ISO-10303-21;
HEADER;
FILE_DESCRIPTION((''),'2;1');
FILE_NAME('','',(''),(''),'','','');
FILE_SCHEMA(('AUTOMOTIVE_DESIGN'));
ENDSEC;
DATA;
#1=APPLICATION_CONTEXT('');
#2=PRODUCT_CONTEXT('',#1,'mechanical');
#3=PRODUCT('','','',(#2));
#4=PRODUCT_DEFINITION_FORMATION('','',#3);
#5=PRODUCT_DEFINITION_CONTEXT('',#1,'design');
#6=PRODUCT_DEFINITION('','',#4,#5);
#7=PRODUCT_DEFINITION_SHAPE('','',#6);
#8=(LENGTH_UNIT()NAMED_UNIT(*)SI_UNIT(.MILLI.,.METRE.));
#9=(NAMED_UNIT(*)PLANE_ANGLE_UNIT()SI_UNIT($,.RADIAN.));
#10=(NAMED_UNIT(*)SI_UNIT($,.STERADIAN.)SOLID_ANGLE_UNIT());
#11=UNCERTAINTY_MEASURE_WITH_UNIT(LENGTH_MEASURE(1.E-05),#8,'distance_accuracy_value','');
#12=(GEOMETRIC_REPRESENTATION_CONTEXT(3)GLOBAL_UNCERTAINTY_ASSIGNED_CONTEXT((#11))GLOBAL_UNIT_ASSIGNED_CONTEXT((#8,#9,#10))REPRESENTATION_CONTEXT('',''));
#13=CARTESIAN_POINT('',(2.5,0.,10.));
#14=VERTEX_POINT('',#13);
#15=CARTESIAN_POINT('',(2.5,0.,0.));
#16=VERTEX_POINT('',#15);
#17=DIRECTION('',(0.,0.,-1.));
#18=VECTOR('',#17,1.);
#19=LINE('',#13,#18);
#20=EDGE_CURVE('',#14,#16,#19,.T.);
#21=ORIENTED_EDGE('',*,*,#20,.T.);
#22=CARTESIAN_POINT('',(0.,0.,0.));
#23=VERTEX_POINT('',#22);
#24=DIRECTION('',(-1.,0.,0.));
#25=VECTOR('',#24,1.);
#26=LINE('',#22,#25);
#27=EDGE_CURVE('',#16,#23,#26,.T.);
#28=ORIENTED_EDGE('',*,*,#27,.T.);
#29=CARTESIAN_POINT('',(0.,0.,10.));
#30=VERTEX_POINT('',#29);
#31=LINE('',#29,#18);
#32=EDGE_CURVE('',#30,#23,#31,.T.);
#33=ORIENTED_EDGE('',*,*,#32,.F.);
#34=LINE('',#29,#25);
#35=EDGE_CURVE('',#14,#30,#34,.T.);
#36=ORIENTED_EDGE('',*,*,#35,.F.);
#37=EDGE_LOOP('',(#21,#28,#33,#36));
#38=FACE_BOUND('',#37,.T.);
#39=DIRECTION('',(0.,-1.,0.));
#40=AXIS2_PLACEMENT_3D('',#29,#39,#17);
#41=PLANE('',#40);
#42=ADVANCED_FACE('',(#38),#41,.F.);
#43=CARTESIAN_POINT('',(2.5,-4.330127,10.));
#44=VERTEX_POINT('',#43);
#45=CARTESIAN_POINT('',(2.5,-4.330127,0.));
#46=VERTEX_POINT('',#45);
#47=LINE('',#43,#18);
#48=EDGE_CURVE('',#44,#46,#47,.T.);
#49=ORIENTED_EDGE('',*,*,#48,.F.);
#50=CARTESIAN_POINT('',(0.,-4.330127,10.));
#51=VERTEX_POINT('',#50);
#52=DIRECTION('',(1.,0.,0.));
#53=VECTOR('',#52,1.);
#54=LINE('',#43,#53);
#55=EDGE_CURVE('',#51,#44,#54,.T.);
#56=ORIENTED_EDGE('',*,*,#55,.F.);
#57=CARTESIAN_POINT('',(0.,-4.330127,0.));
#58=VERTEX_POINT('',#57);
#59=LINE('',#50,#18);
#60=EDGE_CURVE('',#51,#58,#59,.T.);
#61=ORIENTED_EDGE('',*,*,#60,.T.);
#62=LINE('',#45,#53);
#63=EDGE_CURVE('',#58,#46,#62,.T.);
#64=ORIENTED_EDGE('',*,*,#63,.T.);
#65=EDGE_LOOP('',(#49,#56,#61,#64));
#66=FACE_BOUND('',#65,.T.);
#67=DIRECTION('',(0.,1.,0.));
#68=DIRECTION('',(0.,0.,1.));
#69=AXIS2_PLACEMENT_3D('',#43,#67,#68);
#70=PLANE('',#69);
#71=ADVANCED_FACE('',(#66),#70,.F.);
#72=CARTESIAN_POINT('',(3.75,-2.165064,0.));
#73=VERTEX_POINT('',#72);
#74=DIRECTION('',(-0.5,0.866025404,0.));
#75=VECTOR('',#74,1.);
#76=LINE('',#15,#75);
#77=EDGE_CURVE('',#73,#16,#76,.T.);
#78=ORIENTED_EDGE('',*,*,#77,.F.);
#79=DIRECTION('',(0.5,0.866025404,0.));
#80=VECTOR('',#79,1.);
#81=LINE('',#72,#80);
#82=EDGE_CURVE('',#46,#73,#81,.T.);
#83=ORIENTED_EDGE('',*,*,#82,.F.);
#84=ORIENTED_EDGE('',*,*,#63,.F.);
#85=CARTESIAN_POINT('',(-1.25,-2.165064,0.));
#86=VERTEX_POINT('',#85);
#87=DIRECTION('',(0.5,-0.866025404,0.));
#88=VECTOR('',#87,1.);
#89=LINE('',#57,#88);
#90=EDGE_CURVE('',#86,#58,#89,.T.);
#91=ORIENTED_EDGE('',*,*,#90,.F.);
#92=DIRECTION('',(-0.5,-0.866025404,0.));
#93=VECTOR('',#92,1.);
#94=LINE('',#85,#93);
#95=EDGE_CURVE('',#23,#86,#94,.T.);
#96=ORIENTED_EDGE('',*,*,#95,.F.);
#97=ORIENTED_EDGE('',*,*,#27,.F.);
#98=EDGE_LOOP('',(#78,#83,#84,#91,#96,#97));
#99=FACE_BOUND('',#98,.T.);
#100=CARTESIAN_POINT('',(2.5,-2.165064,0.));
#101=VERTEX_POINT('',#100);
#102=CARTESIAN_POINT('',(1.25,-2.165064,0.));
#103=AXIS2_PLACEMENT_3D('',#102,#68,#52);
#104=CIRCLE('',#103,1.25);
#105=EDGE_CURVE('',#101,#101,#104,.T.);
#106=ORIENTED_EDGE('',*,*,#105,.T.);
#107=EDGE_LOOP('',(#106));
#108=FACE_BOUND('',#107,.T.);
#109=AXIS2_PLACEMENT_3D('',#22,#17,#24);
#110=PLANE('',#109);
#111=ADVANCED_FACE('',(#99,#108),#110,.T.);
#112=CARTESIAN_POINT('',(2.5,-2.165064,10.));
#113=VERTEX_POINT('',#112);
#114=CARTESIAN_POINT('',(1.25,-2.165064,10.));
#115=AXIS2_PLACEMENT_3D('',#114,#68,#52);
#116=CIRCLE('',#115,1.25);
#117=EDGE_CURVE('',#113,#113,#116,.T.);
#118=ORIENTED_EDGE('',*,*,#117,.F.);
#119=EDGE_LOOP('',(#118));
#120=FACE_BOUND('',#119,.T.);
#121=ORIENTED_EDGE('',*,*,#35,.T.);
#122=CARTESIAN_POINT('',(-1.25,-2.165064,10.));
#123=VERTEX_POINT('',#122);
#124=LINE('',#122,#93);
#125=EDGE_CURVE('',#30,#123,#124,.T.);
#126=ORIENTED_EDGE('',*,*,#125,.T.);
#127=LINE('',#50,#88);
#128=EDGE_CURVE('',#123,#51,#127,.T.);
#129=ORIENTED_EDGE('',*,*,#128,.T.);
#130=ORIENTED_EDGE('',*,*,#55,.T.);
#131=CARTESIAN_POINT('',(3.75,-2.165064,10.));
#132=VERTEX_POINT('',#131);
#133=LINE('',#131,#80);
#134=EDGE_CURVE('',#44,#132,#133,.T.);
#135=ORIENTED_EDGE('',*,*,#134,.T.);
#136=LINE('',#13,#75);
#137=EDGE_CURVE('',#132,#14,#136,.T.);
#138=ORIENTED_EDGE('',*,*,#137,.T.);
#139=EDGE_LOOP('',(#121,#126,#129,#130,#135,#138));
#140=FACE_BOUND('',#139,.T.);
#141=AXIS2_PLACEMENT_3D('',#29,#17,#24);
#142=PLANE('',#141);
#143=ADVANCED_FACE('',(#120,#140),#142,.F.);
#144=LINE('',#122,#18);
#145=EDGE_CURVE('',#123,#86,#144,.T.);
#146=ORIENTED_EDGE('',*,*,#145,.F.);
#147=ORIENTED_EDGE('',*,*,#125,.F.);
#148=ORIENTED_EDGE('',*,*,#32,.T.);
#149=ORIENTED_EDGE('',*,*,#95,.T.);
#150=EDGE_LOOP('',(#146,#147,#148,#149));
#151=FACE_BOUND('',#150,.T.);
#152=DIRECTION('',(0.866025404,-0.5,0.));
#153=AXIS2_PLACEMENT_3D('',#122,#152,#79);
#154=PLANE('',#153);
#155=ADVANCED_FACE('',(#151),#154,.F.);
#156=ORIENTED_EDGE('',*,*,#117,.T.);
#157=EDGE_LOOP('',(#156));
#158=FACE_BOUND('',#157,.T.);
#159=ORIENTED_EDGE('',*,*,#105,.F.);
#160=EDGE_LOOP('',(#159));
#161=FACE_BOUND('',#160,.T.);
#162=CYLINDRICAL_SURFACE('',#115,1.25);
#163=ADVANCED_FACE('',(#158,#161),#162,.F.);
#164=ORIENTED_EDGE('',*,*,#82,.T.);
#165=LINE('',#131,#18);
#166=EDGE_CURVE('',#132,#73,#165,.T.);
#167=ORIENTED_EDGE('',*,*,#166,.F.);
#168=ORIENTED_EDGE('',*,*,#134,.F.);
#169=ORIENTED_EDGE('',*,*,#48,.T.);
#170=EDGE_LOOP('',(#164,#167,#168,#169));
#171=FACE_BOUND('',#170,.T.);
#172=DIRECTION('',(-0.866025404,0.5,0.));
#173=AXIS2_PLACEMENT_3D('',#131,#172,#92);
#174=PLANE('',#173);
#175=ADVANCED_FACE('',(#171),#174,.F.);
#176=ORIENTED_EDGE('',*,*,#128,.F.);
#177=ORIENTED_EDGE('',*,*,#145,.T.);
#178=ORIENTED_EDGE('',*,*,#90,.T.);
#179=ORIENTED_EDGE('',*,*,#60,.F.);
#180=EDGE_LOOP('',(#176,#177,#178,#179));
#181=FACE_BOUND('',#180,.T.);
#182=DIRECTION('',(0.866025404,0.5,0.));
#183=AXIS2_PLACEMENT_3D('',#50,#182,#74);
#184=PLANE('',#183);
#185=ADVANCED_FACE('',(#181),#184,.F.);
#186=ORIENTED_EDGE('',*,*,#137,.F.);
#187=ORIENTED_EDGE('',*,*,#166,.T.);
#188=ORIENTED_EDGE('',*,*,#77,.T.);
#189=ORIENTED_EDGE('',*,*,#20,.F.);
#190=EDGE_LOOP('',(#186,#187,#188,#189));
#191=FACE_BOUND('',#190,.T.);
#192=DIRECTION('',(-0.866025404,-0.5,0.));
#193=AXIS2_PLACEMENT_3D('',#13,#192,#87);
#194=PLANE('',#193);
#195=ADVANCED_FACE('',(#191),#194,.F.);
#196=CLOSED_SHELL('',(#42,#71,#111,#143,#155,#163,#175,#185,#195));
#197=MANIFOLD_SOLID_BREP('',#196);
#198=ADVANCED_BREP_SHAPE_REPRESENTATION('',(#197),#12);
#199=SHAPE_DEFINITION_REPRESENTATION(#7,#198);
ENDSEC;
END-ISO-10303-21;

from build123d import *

# Parameters (mm, degrees)
EXTRUDE_1_DEPTH    = 10
HOLE_WIZARD_M3_1_D = 2.5


with BuildPart() as part:
    # 草图1 → 凸台-拉伸1 (new body)
    with BuildSketch(Plane.XY):
        Polygon((0, 0), (2.5, 0), (3.75, -2.165063509), (2.5, -4.330127019), (0, -4.330127019), (-1.25, -2.165063509), align=None)
    extrude(amount=EXTRUDE_1_DEPTH)

    # M3 螺纹孔1 (through all)
    with Locations(Plane.XY.offset(10)):
        with Locations((1.25, -2.165063509)):
            Hole(HOLE_WIZARD_M3_1_D / 2)


solid = part.part
